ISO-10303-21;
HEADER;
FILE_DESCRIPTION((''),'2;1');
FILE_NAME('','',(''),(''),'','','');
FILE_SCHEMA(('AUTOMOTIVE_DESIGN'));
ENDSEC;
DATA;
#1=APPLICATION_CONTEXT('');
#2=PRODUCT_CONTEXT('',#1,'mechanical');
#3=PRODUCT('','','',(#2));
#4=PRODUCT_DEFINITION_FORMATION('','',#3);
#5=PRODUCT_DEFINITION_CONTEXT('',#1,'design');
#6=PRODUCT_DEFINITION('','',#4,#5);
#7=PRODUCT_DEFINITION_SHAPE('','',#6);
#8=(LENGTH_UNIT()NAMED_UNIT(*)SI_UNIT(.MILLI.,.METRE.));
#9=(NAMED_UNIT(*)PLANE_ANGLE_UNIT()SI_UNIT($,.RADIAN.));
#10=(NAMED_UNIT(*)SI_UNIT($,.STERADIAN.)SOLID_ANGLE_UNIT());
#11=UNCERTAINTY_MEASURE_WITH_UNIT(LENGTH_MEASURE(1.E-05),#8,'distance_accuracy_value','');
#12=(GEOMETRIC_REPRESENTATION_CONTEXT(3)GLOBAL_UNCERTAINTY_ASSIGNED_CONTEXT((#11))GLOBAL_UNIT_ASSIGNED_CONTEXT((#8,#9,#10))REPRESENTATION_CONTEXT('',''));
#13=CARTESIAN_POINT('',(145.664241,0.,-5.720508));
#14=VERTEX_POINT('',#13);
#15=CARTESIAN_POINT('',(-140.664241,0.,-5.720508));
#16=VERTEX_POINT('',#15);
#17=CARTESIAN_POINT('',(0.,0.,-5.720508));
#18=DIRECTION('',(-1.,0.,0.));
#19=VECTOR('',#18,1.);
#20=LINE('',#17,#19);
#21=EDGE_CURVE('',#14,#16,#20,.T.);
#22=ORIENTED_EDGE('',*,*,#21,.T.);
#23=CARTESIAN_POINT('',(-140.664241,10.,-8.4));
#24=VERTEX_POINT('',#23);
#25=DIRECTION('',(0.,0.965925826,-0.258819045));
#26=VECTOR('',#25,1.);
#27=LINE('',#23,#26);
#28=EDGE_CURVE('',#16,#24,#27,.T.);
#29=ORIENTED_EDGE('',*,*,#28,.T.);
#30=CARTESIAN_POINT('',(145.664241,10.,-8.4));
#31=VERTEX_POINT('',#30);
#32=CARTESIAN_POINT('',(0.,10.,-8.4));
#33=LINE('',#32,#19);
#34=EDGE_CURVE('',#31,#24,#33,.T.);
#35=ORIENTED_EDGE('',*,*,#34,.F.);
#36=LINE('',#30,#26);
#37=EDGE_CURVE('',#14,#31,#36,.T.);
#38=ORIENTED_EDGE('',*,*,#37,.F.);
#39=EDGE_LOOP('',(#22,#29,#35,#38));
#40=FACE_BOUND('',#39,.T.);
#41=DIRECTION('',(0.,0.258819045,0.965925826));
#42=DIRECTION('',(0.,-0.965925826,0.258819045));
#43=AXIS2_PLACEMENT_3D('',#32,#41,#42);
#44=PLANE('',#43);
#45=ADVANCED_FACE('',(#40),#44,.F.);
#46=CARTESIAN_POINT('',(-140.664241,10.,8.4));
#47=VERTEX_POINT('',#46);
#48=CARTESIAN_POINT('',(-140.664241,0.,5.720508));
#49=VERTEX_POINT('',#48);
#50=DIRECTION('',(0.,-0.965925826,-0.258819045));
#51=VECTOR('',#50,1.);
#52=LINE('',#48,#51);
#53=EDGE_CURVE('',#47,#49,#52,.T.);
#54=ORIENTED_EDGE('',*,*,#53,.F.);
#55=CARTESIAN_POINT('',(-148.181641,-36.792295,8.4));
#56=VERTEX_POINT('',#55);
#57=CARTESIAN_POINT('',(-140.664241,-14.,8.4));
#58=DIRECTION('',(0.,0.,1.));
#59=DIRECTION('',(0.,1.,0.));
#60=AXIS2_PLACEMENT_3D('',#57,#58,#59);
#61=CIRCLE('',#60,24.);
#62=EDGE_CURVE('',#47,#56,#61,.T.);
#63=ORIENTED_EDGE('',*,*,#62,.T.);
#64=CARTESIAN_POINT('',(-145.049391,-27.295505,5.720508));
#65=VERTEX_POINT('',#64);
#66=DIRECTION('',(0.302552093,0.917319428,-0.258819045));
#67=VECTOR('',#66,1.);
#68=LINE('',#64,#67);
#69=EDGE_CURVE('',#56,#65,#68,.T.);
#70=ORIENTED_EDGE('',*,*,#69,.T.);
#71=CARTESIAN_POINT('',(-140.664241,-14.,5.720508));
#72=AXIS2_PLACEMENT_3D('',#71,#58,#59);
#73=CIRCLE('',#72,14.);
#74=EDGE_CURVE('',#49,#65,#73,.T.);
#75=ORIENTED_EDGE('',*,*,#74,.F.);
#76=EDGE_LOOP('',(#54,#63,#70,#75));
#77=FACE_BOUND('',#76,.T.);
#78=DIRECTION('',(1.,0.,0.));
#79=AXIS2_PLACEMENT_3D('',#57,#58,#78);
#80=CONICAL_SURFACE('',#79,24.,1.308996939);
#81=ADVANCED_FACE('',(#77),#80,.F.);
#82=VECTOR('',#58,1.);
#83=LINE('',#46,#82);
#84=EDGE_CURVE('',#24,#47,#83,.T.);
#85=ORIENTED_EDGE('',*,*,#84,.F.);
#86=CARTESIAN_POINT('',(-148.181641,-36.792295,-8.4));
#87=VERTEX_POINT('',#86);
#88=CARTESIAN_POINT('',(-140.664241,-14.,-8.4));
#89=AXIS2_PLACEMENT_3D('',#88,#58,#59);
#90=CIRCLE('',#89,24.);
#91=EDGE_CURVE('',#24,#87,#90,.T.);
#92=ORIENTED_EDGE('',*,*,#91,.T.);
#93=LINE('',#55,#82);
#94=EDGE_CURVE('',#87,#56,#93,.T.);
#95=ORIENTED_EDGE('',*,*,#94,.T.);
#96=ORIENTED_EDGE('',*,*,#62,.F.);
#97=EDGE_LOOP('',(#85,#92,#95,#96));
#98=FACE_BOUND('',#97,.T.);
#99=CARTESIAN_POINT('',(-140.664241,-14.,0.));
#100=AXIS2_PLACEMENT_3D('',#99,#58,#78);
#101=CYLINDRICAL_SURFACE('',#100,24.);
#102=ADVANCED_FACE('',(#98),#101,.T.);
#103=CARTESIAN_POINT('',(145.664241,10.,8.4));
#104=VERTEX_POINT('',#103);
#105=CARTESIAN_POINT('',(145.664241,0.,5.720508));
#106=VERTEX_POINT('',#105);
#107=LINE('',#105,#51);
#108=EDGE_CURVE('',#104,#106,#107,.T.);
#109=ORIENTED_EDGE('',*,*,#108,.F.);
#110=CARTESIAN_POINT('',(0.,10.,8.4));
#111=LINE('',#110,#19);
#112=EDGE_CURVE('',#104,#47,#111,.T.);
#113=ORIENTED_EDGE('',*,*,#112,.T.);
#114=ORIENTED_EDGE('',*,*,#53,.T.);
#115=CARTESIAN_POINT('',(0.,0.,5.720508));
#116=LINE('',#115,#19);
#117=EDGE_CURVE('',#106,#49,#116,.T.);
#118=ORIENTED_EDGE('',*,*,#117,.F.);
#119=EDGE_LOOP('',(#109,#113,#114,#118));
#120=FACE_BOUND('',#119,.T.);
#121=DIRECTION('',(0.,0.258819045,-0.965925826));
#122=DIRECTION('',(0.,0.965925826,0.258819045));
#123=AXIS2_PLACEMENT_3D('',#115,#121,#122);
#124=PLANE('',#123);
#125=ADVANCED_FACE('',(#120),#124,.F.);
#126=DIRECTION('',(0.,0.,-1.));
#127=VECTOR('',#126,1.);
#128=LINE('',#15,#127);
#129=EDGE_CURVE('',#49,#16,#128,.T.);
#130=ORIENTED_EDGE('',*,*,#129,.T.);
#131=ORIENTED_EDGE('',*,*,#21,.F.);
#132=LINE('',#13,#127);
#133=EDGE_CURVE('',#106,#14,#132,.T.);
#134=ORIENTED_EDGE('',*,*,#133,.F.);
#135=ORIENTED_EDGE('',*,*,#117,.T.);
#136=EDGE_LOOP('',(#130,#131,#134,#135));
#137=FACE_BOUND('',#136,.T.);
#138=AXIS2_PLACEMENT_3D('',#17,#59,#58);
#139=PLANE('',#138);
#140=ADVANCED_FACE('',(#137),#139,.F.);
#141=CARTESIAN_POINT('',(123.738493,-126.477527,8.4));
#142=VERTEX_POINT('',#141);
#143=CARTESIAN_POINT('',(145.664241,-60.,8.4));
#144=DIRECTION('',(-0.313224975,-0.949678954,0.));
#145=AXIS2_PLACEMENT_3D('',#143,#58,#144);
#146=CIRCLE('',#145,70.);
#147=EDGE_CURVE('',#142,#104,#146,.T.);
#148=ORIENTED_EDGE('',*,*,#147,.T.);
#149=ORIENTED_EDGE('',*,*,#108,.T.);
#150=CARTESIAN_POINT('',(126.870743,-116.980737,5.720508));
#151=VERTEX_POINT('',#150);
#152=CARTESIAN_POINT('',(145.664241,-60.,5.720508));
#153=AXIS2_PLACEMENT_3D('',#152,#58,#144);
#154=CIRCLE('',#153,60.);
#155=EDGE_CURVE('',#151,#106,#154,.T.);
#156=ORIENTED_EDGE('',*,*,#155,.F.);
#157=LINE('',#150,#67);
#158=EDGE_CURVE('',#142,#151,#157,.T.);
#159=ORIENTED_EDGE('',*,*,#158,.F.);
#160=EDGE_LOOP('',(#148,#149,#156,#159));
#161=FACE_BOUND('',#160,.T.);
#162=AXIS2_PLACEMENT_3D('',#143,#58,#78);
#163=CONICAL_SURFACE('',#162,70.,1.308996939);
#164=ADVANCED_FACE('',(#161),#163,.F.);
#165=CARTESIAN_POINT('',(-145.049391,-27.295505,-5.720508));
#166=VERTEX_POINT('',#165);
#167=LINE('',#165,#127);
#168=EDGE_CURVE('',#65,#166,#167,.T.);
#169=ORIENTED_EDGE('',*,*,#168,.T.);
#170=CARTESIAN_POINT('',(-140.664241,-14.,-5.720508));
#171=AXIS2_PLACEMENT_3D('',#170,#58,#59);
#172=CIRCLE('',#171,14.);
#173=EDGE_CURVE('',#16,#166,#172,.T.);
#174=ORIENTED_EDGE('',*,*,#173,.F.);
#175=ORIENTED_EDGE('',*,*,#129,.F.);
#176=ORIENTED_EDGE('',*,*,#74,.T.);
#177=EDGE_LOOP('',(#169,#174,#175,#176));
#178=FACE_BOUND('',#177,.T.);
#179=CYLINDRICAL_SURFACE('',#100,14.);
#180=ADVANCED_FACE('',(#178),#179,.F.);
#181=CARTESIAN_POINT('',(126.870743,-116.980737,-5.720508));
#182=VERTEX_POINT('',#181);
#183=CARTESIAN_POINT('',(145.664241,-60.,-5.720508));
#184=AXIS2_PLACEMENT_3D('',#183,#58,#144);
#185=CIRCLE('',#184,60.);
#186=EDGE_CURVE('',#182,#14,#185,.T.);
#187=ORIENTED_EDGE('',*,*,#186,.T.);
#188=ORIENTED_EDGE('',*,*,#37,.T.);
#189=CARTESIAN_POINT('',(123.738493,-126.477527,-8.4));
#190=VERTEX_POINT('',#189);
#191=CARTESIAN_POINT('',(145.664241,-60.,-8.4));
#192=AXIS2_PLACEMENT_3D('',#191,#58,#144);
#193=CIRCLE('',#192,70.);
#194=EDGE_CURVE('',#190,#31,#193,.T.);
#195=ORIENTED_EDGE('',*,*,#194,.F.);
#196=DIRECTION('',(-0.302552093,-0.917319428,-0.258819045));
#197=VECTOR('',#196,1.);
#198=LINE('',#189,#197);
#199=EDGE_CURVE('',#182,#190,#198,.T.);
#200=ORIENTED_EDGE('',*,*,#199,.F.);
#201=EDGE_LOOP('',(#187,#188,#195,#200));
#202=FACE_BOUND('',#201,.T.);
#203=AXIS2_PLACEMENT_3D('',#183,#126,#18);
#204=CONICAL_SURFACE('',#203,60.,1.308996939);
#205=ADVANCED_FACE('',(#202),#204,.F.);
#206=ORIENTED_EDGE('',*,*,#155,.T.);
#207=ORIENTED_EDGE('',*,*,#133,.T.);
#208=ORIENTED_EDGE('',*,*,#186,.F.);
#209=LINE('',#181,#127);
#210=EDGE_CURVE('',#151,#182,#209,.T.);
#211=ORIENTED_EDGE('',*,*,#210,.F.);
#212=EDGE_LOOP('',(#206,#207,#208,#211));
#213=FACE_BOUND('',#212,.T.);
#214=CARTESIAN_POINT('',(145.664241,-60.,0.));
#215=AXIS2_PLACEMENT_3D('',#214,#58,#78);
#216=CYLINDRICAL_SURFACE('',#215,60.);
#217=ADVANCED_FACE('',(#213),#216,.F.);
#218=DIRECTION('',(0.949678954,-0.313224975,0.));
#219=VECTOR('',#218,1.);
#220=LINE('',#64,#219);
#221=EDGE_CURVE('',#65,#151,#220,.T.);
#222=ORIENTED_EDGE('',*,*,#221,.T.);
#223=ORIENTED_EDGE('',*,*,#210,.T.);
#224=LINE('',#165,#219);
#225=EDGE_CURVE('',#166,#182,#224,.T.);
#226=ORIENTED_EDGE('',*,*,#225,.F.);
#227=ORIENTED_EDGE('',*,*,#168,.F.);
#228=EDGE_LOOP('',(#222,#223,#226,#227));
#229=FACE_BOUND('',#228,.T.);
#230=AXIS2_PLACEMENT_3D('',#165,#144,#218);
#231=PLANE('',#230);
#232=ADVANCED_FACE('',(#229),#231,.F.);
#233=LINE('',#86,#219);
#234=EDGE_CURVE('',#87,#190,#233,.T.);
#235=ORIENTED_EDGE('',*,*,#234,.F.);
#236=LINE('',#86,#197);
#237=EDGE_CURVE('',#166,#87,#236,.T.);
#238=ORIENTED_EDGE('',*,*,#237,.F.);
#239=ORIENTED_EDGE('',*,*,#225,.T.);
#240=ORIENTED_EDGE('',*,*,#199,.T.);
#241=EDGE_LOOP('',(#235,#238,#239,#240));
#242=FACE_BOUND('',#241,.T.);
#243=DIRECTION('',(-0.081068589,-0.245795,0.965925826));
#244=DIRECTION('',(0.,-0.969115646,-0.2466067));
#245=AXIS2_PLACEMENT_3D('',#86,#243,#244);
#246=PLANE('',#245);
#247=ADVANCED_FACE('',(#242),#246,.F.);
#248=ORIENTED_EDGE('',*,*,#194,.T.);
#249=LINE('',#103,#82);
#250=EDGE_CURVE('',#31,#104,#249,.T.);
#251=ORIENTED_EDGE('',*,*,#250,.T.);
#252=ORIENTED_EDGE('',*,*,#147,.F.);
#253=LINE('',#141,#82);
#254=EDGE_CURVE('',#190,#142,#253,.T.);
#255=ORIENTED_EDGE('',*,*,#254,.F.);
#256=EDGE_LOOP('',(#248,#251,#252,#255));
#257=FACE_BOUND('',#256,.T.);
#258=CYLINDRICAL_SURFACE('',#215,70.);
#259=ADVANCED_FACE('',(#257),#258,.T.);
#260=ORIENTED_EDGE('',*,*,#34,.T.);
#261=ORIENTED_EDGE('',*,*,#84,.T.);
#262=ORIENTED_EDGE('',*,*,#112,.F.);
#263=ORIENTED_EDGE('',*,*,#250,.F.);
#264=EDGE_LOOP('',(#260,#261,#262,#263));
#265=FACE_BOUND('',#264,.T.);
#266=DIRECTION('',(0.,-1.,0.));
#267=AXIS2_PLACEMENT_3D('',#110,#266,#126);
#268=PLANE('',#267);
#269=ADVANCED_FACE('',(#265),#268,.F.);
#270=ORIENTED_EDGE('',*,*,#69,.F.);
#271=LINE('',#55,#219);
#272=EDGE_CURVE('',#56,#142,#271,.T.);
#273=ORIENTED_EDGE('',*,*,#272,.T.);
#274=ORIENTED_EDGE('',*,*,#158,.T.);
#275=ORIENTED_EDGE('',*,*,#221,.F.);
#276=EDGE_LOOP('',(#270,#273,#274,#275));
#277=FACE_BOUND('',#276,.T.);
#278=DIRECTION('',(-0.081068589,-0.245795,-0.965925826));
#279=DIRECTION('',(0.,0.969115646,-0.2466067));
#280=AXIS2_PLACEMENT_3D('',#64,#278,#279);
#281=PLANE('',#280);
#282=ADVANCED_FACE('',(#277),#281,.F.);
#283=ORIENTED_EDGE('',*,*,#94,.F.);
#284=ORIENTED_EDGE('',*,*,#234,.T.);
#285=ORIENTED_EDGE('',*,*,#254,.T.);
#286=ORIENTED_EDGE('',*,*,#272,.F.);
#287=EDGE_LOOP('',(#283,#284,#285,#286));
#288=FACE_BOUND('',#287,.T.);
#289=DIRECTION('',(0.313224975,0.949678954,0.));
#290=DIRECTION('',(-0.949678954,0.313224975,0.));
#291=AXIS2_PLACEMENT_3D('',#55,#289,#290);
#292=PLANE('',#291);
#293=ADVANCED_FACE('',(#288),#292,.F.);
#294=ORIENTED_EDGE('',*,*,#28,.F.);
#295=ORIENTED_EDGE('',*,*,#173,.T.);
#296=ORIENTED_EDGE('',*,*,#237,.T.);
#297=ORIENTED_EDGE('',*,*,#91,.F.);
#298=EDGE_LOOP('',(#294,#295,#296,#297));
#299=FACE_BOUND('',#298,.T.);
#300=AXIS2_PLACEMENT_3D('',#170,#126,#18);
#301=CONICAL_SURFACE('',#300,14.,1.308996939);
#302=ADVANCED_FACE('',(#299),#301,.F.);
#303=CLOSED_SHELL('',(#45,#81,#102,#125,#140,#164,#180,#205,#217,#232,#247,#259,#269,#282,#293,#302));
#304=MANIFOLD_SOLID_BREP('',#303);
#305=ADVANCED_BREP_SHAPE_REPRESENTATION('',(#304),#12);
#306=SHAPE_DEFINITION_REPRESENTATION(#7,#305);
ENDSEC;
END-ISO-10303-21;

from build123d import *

# Parameters (mm, degrees)
RESSALTO_EXTRUS_O1_DEPTH = 5


with BuildPart() as part:
    # Varredura1: sweep along a path in Esboço1
    with BuildLine(Plane.XY) as varredura1_path:
        Line((0, 0), (-140.664241345, 0))
        ThreePointArc((-140.664241345, 0), (-154.486995682, -11.779310345), (-145.049390997, -27.295505351))
        Line((-145.049390997, -27.295505351), (126.870742838, -116.980737218))
        ThreePointArc((126.870742838, -116.980737218), (204.904617075, -69.517241379), (145.664241345, 0))
        Line((145.664241345, 0), (5, 0))
    # Esboço2 → Varredura1 (sweep)
    with BuildSketch(Plane(origin=(0, 0, 0), x_dir=(0, 0, -1), z_dir=(1, 0, 0))):
        Polygon((-8.4, 10), (8.4, 10), (5.720508076, 0), (-5.720508076, 0), align=None)
    sweep(path=varredura1_path.line)

    # Esboço3 → Ressalto-extrusão1 (add)
    with BuildSketch(Plane(origin=(0, 0, 0), x_dir=(0, 0, -1), z_dir=(1, 0, 0))):
        Polygon((-8.4, 10), (-5.720508076, 0), (5.720508076, 0), (8.4, 10), align=None)
    extrude(amount=RESSALTO_EXTRUS_O1_DEPTH)


solid = part.part
